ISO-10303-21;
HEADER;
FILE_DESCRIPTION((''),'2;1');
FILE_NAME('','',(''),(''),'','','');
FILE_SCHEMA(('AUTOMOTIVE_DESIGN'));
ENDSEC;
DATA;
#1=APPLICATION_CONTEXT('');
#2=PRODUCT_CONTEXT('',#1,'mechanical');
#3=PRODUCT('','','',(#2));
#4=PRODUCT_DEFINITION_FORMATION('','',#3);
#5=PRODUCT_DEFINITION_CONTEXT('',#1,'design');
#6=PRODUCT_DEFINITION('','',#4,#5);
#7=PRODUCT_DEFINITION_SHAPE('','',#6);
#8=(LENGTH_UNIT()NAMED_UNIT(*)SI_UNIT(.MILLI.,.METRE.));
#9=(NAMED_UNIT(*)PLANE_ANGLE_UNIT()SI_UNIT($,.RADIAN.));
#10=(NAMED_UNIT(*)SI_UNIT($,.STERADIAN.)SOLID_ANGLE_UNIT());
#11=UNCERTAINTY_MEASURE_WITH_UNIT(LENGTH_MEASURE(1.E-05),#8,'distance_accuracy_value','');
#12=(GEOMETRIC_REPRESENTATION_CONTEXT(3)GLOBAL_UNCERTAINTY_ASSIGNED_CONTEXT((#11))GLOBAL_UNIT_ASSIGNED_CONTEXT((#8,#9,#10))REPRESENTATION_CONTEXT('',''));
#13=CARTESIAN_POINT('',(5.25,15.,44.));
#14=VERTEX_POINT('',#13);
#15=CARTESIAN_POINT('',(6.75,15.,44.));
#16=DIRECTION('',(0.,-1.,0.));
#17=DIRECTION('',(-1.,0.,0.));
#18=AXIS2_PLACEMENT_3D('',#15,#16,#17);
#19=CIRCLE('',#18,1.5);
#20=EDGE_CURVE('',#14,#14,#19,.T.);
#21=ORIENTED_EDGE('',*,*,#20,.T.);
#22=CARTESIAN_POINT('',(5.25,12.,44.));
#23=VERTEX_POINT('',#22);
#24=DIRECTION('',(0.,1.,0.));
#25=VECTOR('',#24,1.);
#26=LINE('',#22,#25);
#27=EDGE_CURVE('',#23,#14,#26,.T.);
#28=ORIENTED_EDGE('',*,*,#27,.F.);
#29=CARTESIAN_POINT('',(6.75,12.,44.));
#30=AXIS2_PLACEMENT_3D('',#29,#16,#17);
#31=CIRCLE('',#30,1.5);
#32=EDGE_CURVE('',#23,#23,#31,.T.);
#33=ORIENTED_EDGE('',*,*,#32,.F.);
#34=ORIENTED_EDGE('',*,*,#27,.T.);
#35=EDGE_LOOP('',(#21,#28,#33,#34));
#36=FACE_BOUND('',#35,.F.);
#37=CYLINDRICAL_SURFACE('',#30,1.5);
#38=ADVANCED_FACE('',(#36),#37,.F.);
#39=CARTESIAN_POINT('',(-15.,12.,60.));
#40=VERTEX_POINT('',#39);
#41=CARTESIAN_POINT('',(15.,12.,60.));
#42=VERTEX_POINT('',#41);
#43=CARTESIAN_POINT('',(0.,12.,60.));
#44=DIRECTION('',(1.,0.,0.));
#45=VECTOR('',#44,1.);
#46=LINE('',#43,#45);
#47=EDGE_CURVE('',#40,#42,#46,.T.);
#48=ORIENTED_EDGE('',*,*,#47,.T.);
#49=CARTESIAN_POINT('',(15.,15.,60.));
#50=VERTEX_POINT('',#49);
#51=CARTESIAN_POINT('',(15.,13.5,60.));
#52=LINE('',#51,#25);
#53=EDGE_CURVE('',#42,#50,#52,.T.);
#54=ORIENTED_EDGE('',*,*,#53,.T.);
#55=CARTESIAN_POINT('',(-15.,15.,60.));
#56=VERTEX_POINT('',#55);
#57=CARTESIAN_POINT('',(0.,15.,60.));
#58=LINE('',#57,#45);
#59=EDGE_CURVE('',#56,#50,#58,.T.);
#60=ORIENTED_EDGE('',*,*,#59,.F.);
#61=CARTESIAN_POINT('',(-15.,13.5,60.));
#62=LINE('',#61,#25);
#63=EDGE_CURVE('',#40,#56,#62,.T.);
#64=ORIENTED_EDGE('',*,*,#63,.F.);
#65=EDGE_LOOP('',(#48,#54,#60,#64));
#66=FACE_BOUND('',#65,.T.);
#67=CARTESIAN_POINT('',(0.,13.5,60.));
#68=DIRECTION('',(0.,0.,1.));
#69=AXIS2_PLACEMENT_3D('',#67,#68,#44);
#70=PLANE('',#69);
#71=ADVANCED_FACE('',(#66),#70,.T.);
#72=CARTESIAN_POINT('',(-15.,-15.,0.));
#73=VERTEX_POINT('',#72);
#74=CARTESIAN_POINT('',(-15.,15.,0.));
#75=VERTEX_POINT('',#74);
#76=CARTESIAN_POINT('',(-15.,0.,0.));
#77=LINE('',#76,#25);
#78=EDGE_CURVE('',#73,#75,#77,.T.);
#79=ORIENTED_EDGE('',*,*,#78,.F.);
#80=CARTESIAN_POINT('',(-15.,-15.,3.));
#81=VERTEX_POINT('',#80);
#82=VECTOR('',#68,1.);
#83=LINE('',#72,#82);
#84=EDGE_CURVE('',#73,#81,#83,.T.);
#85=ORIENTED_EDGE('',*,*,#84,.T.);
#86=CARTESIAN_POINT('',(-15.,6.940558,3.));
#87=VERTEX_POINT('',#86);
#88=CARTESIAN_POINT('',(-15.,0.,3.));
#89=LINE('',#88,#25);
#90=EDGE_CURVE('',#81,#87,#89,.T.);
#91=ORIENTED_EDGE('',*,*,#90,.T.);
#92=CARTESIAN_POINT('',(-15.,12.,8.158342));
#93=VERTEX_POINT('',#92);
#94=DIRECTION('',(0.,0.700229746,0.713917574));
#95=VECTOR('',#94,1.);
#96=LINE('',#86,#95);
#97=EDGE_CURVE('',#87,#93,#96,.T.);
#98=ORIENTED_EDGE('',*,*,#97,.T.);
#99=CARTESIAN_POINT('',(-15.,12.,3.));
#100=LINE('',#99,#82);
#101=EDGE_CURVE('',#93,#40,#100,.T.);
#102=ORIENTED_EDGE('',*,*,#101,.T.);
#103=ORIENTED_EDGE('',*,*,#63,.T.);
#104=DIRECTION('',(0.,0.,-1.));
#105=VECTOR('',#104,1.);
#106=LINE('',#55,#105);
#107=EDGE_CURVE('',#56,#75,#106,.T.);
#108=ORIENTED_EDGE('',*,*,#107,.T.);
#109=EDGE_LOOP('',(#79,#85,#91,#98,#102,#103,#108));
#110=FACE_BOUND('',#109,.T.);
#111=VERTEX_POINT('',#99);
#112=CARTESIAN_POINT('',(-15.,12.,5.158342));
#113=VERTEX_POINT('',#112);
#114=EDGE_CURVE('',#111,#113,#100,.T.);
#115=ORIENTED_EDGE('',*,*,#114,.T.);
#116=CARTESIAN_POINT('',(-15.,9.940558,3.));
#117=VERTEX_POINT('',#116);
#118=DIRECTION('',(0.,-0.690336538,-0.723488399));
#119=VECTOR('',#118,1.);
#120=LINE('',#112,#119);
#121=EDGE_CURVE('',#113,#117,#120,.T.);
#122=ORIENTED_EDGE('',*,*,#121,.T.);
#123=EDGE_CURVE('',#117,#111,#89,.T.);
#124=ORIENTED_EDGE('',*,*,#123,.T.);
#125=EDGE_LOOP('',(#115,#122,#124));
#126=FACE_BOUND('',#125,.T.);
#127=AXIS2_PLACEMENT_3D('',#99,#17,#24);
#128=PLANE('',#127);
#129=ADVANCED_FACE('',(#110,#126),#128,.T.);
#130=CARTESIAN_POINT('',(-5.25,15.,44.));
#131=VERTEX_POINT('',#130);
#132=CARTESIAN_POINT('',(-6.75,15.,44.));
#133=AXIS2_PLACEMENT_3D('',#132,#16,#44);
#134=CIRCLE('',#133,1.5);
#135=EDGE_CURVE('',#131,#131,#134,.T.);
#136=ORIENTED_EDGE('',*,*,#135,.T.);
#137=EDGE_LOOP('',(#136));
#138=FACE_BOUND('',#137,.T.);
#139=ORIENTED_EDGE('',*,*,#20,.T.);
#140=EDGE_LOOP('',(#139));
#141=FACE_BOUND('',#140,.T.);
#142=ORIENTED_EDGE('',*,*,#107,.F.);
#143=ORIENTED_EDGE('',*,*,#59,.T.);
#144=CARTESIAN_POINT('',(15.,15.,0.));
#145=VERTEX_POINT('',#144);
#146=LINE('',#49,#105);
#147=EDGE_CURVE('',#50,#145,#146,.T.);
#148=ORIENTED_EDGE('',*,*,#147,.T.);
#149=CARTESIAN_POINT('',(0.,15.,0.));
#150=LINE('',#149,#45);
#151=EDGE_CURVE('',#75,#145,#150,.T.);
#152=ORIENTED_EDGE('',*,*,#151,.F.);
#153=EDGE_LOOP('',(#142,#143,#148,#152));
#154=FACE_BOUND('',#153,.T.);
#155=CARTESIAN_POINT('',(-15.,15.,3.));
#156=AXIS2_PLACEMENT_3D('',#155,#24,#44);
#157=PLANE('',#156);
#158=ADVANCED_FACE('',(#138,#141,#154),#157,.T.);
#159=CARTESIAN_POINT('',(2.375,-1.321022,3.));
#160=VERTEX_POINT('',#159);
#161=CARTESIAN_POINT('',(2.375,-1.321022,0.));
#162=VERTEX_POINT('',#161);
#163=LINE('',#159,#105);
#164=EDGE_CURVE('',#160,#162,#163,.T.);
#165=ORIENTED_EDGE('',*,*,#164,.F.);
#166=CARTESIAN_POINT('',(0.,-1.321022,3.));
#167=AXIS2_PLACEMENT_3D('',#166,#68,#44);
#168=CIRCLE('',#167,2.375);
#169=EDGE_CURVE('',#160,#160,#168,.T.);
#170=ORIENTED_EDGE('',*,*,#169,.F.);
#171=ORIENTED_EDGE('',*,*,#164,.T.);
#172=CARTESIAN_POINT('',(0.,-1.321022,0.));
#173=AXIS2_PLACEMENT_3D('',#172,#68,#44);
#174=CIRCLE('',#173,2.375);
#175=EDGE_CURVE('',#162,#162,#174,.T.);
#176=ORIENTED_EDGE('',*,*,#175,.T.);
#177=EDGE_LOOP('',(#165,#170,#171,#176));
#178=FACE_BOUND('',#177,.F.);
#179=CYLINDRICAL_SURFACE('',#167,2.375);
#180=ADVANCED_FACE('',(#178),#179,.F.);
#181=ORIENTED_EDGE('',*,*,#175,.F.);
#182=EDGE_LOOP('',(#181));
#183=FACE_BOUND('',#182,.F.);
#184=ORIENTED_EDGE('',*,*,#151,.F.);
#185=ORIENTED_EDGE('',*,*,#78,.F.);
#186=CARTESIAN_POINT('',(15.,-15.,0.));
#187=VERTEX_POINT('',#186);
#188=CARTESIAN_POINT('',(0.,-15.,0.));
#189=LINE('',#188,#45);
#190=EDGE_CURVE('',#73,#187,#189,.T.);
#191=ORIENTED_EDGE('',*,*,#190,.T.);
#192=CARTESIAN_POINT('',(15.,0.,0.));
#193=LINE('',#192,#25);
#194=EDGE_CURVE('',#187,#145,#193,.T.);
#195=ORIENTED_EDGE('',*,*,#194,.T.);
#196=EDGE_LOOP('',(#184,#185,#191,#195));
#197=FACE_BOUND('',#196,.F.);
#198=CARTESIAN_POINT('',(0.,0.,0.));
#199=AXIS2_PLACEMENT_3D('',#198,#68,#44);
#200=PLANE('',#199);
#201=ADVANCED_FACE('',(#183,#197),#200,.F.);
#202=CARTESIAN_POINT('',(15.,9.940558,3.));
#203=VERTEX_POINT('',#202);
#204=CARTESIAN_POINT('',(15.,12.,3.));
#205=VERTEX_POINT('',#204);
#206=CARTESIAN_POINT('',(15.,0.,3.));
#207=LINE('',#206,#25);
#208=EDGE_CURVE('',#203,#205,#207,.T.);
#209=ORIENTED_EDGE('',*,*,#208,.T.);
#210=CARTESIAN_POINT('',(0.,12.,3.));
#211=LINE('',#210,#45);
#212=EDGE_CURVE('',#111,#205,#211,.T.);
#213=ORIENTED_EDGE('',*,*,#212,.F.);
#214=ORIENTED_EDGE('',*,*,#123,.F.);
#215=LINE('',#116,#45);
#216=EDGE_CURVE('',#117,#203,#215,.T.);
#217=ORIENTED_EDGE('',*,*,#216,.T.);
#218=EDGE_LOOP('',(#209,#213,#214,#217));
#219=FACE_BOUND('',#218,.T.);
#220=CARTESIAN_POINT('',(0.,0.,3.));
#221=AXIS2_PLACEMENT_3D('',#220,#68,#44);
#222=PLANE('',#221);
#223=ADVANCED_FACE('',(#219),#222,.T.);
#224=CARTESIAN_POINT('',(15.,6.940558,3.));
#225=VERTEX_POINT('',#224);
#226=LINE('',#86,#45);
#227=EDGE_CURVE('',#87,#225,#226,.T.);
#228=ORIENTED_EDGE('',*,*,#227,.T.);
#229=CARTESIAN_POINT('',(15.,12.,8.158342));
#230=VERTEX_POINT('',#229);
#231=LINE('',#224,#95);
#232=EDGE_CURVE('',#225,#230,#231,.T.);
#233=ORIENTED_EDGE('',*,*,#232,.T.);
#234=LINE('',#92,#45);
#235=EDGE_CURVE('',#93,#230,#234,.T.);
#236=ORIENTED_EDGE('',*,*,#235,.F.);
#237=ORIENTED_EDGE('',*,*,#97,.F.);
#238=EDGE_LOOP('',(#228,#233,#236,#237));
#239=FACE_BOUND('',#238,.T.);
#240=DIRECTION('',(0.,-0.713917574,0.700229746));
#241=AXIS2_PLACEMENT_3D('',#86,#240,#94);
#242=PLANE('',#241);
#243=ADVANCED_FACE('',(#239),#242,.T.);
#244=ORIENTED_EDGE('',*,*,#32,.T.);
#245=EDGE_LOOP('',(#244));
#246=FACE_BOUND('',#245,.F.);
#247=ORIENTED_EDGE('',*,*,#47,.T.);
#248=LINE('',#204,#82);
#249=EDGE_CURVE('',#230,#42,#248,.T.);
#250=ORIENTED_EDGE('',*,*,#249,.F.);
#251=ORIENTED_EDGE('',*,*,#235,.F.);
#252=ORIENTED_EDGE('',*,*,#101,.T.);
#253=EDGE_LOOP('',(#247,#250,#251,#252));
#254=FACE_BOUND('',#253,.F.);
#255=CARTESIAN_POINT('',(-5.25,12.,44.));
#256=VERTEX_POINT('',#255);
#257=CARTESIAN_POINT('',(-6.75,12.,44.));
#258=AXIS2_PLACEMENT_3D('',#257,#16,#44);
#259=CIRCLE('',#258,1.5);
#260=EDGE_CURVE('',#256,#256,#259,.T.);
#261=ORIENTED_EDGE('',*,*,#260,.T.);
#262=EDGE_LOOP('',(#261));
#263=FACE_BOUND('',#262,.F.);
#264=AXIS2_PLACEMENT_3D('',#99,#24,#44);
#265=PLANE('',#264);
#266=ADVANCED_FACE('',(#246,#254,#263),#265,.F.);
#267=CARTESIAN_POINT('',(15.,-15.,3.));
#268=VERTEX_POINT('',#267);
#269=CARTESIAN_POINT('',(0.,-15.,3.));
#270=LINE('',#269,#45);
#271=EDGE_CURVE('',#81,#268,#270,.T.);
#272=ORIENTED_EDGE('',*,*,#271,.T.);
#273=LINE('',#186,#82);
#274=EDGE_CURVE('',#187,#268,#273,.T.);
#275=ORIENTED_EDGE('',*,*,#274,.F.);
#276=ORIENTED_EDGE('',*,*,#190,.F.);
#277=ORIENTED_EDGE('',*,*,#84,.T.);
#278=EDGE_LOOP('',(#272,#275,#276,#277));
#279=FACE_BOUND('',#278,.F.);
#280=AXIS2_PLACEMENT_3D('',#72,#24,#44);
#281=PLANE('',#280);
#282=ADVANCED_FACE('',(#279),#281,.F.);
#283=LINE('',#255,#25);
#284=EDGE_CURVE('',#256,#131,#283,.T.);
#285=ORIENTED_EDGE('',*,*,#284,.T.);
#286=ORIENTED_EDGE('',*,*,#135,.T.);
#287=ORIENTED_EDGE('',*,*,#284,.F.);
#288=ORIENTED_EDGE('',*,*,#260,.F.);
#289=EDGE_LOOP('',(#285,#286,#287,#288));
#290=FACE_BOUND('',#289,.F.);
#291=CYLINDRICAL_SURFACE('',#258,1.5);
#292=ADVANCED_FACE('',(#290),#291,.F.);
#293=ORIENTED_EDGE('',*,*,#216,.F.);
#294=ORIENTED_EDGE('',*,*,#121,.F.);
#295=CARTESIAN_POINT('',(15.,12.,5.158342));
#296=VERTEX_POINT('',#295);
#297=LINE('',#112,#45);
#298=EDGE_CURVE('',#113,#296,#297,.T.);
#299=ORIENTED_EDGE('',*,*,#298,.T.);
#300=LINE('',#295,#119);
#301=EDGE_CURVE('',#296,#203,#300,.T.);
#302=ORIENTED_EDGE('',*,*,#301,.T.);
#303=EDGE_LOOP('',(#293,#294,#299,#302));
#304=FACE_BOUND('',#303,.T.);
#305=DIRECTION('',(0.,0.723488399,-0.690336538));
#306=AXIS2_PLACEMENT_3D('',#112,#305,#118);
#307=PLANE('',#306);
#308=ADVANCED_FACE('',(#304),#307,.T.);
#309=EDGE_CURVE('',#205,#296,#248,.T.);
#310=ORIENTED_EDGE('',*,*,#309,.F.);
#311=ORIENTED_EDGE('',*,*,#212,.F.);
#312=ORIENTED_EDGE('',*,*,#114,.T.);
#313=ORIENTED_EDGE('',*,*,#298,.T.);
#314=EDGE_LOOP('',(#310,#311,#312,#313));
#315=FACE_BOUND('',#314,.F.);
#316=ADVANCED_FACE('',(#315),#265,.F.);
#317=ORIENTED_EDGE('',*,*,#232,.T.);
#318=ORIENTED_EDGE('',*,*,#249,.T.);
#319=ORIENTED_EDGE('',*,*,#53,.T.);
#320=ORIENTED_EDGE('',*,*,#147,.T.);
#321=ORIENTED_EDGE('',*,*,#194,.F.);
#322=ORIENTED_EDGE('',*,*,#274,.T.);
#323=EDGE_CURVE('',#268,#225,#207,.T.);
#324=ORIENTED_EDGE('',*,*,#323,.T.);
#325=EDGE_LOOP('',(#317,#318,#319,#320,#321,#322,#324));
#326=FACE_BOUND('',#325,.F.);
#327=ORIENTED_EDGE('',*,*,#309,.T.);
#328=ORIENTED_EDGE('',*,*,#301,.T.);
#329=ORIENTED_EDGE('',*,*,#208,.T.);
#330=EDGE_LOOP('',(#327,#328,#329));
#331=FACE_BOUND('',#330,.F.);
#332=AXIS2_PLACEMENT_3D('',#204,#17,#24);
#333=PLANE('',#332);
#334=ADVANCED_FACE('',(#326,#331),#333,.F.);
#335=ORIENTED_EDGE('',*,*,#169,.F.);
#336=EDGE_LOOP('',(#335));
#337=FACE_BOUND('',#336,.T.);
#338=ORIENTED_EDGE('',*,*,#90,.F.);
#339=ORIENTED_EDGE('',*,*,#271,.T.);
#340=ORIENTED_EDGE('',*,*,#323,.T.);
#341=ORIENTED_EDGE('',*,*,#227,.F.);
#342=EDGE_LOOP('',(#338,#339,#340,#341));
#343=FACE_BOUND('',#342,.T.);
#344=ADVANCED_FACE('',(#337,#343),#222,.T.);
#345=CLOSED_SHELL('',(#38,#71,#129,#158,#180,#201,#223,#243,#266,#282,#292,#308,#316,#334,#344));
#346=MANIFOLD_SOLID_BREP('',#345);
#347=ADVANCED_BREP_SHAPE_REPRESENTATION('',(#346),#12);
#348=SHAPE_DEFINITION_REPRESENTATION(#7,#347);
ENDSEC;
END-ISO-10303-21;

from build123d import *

# Parameters (mm, degrees)
F0_W      = 30
F0_H      = 30
F1_DEPTH  = 3
F2_W      = 30
F2_H      = 3
F3_DEPTH  = 57
F4_R      = 2.375
F5_DEPTH  = 3
F6_R      = 1.5
F7_DEPTH  = 3
F10_DEPTH = 30


with BuildPart() as f1:
    # F0 (on Top) → F1 (new body)
    with BuildSketch(Plane.XY):
        Rectangle(F0_W, F0_H)
    extrude(amount=F1_DEPTH)

    # F2 (on face) → F3 (join)
    with BuildSketch(Plane.XY.offset(3)):
        with Locations((0, 13.5)):
            Rectangle(F2_W, F2_H)
    extrude(amount=F3_DEPTH)

    # F4 (on face) → F5 (cut, through all)
    with BuildSketch(Plane.XY.offset(3)):
        with Locations((0, -1.3210215056)):
            Circle(F4_R)
    extrude(amount=-F5_DEPTH, mode=Mode.SUBTRACT)

    # F6 (on face) → F7 (cut, through all)
    with BuildSketch(Plane.XZ.offset(-12)):
        with Locations((-6.75, 44)):
            Circle(F6_R)
        with BuildLine():
            ThreePointArc((8.25, 44), (6.75, 45.5), (5.25, 44))
            ThreePointArc((5.25, 44), (6.75, 42.5), (8.25, 44))
        make_face()
    extrude(amount=-F7_DEPTH, mode=Mode.SUBTRACT)

    # F9 (on offset) → F10 (join, through all)
    with BuildSketch(Plane(origin=(-15, 0, 0), x_dir=(0, -1, 0), z_dir=(-1, 0, 0))):
        Polygon((-12, 5.1583419554), (-9.9405581132, 3), (-6.9405581132, 3), (-12, 8.1583419554), align=None)
    extrude(amount=-F10_DEPTH)


solid = f1.part
